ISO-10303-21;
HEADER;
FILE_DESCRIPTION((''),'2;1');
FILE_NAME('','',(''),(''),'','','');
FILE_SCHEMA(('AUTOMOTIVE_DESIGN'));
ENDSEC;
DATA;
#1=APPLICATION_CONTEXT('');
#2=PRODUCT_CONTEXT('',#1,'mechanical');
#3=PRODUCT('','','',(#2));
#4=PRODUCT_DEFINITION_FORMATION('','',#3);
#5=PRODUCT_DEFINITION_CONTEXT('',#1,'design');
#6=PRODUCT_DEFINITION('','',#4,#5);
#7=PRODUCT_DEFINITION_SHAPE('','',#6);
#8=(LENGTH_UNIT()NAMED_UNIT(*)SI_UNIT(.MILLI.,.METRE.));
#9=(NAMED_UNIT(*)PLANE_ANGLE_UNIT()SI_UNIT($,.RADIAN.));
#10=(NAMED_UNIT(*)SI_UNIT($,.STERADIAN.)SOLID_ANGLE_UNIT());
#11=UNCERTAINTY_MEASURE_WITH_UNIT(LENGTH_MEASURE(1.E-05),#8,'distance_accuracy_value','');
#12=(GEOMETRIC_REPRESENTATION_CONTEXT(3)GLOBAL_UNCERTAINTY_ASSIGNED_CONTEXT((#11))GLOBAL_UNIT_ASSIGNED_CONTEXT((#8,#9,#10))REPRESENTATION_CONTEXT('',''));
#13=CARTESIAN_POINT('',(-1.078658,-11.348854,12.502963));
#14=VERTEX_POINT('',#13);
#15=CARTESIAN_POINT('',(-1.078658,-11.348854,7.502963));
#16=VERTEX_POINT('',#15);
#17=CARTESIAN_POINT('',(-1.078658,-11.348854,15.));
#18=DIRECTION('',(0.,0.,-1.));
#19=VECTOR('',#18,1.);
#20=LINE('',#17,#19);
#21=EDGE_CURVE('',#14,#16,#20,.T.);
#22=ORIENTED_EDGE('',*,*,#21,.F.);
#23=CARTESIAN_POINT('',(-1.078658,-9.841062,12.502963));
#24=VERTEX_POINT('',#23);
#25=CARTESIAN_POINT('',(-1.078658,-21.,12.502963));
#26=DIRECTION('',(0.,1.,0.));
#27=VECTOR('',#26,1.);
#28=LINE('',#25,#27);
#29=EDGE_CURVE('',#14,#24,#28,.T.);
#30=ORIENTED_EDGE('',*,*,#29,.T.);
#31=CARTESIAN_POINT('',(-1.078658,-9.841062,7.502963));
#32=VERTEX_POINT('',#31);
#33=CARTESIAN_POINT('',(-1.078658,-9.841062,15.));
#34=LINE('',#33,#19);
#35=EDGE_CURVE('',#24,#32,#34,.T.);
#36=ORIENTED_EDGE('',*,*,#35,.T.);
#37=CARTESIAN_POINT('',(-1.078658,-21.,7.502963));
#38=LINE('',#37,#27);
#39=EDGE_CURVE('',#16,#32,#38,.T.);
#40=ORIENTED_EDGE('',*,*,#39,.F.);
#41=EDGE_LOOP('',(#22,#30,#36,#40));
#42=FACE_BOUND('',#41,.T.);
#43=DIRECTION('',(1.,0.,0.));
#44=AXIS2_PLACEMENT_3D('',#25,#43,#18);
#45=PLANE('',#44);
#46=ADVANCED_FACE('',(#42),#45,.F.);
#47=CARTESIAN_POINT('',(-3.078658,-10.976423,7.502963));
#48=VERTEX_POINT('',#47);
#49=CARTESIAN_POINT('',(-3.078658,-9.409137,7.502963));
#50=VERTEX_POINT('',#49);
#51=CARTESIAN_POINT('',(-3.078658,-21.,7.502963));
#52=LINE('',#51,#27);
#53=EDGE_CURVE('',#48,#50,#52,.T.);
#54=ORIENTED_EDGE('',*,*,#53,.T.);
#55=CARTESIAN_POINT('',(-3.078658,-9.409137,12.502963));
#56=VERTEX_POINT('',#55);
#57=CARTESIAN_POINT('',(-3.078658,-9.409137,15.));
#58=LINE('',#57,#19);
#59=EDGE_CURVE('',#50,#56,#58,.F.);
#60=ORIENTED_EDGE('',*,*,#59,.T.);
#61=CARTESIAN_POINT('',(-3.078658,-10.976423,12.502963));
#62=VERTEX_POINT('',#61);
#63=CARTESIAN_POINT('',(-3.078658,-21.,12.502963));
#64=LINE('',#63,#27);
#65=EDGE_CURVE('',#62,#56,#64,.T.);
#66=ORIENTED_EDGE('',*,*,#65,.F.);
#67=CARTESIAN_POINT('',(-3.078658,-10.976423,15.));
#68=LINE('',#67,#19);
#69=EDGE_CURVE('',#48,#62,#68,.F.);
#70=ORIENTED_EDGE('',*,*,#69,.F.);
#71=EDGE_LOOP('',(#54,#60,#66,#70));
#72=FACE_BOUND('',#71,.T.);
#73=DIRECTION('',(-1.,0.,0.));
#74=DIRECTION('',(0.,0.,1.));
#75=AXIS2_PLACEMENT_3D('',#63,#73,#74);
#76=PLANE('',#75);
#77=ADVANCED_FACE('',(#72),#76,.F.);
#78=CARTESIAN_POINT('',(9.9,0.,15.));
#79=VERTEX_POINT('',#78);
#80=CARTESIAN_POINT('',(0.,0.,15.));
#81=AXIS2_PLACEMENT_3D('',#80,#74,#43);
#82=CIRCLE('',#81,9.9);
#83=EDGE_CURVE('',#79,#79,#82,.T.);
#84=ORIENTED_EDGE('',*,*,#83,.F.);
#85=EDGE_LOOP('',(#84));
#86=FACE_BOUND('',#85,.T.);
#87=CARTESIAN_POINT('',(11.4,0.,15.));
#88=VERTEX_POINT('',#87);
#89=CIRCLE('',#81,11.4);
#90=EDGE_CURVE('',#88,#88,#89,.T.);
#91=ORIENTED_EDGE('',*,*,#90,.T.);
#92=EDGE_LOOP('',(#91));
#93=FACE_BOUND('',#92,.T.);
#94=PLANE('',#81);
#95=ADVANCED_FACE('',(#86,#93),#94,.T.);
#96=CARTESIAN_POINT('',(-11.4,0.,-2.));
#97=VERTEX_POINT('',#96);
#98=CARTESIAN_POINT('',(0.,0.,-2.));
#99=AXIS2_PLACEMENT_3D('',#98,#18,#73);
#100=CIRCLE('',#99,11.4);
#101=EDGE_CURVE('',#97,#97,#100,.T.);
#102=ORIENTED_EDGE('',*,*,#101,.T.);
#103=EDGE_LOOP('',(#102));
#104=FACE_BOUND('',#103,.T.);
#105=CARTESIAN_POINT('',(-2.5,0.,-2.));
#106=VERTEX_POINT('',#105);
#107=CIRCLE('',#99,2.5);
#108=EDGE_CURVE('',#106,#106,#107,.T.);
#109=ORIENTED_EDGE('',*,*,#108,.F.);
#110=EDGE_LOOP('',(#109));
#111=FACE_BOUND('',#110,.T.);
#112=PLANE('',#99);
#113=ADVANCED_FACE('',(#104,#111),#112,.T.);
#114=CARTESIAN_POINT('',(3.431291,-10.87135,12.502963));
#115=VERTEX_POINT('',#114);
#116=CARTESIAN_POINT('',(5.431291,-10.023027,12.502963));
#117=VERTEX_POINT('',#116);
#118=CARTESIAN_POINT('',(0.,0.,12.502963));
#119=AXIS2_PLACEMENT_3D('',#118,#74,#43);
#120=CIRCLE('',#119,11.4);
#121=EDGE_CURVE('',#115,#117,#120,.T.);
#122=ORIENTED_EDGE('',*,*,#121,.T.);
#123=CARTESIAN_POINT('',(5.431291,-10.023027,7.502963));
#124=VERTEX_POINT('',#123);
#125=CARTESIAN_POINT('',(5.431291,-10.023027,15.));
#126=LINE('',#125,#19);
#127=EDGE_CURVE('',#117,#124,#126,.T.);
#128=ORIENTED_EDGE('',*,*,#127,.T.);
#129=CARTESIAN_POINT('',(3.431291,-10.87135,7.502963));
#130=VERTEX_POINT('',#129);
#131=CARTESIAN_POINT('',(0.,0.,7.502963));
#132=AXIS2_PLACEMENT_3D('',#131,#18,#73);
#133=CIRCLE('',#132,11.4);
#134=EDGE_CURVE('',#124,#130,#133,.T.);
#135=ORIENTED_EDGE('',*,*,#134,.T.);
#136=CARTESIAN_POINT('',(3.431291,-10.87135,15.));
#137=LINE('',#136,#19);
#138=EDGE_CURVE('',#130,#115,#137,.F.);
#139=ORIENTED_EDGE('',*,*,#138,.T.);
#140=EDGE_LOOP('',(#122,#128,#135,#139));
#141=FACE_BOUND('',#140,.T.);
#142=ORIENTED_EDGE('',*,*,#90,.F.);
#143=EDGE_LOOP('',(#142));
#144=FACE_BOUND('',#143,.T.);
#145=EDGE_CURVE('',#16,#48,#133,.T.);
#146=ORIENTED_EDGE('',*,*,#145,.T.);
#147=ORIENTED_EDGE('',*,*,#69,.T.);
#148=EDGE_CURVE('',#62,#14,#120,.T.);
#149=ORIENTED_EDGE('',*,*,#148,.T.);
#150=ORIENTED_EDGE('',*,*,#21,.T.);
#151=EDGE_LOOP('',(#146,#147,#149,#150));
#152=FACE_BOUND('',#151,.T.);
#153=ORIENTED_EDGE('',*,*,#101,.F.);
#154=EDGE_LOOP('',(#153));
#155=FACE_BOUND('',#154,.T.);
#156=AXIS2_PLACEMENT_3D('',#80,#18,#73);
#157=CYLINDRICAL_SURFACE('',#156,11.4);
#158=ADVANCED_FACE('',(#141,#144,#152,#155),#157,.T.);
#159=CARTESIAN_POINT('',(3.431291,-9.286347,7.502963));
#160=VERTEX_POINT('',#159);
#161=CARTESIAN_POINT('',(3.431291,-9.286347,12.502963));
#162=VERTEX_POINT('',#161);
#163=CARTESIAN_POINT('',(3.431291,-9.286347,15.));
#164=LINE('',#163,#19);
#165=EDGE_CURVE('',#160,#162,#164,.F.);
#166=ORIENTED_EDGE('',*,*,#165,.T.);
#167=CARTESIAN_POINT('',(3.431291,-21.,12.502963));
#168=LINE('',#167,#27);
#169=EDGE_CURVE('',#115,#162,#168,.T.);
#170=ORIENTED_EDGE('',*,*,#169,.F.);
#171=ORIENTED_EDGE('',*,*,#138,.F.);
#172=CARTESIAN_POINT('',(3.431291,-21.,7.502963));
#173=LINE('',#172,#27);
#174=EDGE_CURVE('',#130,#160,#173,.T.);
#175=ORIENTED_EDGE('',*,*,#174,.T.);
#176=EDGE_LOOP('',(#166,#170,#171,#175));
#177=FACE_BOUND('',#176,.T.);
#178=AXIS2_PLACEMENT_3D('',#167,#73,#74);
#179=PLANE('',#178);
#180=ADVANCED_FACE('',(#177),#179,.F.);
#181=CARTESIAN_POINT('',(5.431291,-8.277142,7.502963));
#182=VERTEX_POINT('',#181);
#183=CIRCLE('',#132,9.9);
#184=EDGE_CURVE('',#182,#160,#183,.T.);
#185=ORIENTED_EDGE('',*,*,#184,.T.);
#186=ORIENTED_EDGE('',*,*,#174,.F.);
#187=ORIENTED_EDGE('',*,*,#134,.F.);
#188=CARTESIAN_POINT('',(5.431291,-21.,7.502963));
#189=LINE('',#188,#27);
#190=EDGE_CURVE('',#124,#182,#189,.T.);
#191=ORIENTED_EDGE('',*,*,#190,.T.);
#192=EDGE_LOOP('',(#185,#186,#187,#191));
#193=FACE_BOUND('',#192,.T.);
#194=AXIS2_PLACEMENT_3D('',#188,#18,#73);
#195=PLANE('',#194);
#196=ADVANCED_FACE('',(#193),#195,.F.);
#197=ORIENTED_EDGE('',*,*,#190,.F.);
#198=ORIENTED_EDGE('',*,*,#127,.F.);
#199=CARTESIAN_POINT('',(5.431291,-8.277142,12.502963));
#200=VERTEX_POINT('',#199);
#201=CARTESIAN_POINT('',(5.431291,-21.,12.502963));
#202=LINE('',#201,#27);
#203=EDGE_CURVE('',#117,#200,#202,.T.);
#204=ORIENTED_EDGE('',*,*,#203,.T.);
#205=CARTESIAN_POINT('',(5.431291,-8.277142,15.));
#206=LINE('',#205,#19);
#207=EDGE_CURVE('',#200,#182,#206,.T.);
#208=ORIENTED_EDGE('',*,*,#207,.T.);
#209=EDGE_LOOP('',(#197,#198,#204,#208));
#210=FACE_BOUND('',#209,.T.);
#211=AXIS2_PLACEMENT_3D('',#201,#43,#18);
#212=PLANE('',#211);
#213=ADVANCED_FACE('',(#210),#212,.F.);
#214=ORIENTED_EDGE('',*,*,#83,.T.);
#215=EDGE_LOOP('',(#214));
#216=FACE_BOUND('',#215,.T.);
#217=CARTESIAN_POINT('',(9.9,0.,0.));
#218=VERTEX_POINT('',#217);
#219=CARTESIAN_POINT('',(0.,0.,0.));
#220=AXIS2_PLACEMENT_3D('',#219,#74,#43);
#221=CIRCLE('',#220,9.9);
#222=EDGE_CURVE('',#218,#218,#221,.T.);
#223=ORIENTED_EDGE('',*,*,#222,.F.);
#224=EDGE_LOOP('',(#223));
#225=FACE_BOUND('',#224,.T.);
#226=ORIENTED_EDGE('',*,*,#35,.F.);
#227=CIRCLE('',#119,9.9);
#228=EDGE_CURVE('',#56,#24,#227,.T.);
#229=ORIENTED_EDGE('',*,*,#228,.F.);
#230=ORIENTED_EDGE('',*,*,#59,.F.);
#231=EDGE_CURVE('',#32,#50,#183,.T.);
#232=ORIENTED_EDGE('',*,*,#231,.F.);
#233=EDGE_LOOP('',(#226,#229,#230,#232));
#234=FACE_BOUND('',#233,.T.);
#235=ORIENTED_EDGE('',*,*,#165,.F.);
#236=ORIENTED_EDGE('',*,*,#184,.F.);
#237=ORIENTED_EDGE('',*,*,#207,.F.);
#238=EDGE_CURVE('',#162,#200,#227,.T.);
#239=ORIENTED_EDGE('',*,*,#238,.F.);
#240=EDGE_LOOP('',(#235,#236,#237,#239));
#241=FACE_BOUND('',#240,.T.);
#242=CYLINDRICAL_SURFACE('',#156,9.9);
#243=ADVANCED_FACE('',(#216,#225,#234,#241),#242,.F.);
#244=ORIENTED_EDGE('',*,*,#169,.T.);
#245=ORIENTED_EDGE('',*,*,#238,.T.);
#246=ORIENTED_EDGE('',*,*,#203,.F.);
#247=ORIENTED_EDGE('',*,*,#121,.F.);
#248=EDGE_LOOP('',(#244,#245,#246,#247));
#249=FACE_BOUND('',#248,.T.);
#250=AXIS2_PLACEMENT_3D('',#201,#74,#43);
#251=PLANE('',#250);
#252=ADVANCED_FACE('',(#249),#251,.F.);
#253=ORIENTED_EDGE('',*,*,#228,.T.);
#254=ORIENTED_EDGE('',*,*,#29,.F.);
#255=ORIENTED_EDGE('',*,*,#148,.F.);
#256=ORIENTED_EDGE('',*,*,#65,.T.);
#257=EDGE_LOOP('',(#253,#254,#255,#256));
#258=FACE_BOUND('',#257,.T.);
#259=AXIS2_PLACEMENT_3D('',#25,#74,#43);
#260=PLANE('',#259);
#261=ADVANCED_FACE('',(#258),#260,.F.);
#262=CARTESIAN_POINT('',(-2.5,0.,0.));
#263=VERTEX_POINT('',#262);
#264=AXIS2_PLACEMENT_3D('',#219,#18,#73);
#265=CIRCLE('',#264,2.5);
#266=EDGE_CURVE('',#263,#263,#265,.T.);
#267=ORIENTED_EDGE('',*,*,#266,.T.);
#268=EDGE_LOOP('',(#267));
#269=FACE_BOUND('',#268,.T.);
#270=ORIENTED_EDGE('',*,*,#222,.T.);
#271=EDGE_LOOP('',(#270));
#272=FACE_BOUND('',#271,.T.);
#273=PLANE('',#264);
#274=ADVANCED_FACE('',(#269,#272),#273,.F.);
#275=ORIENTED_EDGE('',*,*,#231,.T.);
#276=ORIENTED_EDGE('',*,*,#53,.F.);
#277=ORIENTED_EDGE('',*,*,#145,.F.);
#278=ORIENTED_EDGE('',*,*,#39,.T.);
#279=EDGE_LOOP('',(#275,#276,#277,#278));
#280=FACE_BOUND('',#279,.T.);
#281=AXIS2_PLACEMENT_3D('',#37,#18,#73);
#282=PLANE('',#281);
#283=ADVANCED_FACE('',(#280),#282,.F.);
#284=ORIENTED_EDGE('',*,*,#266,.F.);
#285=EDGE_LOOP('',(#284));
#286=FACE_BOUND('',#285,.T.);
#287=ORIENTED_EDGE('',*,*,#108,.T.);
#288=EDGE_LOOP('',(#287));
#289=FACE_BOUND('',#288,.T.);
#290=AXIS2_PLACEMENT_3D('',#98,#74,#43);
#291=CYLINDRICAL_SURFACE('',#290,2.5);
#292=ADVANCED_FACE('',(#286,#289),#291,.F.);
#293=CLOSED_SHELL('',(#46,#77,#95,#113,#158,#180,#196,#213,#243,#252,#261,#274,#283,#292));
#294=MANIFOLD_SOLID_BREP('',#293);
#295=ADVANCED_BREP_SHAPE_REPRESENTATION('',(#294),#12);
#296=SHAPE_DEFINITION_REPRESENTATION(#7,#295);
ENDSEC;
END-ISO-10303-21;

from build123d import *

# Parameters (mm, degrees)
ESQUISSE1_R             = 11.4
ESQUISSE1_R_2           = 9.9
BOSS_EXTRU_1_DEPTH      = 15
BOSS_EXTRU_2_START      = 2
ESQUISSE2_R             = 11.4
ESQUISSE2_R_2           = 2.5
BOSS_EXTRU_2_DEPTH      = 2
ESQUISSE3_W             = 2
ESQUISSE3_H             = 5
ENL_V_MAT_EXTRU_1_DEPTH = 21


with BuildPart() as part:
    # Esquisse1 → Boss.-Extru.1 (new body)
    with BuildSketch(Plane.XY):
        Circle(ESQUISSE1_R)
        Circle(ESQUISSE1_R_2, mode=Mode.SUBTRACT)
    extrude(amount=BOSS_EXTRU_1_DEPTH)

    # Esquisse2 → Boss.-Extru.2 (add)
    with BuildSketch(Plane(origin=(0, 0, 0), x_dir=(-1, 0, 0), z_dir=(0, 0, -1)).offset(BOSS_EXTRU_2_START)):
        Circle(ESQUISSE2_R)
        Circle(ESQUISSE2_R_2, mode=Mode.SUBTRACT)
    extrude(amount=-BOSS_EXTRU_2_DEPTH)

    # Esquisse3 → Enlèv. mat.-Extru.1 (cut)
    with BuildSketch(Plane(origin=(0, 0, 0), x_dir=(1, 0, 0), z_dir=(0, 1, 0))):
        with Locations((4.431290854, -10.002963211)):
            Rectangle(ESQUISSE3_W, ESQUISSE3_H)
        with Locations((-2.078658243, -10.002963211)):
            Rectangle(ESQUISSE3_W, ESQUISSE3_H)
    extrude(amount=-ENL_V_MAT_EXTRU_1_DEPTH, mode=Mode.SUBTRACT)


solid = part.part
